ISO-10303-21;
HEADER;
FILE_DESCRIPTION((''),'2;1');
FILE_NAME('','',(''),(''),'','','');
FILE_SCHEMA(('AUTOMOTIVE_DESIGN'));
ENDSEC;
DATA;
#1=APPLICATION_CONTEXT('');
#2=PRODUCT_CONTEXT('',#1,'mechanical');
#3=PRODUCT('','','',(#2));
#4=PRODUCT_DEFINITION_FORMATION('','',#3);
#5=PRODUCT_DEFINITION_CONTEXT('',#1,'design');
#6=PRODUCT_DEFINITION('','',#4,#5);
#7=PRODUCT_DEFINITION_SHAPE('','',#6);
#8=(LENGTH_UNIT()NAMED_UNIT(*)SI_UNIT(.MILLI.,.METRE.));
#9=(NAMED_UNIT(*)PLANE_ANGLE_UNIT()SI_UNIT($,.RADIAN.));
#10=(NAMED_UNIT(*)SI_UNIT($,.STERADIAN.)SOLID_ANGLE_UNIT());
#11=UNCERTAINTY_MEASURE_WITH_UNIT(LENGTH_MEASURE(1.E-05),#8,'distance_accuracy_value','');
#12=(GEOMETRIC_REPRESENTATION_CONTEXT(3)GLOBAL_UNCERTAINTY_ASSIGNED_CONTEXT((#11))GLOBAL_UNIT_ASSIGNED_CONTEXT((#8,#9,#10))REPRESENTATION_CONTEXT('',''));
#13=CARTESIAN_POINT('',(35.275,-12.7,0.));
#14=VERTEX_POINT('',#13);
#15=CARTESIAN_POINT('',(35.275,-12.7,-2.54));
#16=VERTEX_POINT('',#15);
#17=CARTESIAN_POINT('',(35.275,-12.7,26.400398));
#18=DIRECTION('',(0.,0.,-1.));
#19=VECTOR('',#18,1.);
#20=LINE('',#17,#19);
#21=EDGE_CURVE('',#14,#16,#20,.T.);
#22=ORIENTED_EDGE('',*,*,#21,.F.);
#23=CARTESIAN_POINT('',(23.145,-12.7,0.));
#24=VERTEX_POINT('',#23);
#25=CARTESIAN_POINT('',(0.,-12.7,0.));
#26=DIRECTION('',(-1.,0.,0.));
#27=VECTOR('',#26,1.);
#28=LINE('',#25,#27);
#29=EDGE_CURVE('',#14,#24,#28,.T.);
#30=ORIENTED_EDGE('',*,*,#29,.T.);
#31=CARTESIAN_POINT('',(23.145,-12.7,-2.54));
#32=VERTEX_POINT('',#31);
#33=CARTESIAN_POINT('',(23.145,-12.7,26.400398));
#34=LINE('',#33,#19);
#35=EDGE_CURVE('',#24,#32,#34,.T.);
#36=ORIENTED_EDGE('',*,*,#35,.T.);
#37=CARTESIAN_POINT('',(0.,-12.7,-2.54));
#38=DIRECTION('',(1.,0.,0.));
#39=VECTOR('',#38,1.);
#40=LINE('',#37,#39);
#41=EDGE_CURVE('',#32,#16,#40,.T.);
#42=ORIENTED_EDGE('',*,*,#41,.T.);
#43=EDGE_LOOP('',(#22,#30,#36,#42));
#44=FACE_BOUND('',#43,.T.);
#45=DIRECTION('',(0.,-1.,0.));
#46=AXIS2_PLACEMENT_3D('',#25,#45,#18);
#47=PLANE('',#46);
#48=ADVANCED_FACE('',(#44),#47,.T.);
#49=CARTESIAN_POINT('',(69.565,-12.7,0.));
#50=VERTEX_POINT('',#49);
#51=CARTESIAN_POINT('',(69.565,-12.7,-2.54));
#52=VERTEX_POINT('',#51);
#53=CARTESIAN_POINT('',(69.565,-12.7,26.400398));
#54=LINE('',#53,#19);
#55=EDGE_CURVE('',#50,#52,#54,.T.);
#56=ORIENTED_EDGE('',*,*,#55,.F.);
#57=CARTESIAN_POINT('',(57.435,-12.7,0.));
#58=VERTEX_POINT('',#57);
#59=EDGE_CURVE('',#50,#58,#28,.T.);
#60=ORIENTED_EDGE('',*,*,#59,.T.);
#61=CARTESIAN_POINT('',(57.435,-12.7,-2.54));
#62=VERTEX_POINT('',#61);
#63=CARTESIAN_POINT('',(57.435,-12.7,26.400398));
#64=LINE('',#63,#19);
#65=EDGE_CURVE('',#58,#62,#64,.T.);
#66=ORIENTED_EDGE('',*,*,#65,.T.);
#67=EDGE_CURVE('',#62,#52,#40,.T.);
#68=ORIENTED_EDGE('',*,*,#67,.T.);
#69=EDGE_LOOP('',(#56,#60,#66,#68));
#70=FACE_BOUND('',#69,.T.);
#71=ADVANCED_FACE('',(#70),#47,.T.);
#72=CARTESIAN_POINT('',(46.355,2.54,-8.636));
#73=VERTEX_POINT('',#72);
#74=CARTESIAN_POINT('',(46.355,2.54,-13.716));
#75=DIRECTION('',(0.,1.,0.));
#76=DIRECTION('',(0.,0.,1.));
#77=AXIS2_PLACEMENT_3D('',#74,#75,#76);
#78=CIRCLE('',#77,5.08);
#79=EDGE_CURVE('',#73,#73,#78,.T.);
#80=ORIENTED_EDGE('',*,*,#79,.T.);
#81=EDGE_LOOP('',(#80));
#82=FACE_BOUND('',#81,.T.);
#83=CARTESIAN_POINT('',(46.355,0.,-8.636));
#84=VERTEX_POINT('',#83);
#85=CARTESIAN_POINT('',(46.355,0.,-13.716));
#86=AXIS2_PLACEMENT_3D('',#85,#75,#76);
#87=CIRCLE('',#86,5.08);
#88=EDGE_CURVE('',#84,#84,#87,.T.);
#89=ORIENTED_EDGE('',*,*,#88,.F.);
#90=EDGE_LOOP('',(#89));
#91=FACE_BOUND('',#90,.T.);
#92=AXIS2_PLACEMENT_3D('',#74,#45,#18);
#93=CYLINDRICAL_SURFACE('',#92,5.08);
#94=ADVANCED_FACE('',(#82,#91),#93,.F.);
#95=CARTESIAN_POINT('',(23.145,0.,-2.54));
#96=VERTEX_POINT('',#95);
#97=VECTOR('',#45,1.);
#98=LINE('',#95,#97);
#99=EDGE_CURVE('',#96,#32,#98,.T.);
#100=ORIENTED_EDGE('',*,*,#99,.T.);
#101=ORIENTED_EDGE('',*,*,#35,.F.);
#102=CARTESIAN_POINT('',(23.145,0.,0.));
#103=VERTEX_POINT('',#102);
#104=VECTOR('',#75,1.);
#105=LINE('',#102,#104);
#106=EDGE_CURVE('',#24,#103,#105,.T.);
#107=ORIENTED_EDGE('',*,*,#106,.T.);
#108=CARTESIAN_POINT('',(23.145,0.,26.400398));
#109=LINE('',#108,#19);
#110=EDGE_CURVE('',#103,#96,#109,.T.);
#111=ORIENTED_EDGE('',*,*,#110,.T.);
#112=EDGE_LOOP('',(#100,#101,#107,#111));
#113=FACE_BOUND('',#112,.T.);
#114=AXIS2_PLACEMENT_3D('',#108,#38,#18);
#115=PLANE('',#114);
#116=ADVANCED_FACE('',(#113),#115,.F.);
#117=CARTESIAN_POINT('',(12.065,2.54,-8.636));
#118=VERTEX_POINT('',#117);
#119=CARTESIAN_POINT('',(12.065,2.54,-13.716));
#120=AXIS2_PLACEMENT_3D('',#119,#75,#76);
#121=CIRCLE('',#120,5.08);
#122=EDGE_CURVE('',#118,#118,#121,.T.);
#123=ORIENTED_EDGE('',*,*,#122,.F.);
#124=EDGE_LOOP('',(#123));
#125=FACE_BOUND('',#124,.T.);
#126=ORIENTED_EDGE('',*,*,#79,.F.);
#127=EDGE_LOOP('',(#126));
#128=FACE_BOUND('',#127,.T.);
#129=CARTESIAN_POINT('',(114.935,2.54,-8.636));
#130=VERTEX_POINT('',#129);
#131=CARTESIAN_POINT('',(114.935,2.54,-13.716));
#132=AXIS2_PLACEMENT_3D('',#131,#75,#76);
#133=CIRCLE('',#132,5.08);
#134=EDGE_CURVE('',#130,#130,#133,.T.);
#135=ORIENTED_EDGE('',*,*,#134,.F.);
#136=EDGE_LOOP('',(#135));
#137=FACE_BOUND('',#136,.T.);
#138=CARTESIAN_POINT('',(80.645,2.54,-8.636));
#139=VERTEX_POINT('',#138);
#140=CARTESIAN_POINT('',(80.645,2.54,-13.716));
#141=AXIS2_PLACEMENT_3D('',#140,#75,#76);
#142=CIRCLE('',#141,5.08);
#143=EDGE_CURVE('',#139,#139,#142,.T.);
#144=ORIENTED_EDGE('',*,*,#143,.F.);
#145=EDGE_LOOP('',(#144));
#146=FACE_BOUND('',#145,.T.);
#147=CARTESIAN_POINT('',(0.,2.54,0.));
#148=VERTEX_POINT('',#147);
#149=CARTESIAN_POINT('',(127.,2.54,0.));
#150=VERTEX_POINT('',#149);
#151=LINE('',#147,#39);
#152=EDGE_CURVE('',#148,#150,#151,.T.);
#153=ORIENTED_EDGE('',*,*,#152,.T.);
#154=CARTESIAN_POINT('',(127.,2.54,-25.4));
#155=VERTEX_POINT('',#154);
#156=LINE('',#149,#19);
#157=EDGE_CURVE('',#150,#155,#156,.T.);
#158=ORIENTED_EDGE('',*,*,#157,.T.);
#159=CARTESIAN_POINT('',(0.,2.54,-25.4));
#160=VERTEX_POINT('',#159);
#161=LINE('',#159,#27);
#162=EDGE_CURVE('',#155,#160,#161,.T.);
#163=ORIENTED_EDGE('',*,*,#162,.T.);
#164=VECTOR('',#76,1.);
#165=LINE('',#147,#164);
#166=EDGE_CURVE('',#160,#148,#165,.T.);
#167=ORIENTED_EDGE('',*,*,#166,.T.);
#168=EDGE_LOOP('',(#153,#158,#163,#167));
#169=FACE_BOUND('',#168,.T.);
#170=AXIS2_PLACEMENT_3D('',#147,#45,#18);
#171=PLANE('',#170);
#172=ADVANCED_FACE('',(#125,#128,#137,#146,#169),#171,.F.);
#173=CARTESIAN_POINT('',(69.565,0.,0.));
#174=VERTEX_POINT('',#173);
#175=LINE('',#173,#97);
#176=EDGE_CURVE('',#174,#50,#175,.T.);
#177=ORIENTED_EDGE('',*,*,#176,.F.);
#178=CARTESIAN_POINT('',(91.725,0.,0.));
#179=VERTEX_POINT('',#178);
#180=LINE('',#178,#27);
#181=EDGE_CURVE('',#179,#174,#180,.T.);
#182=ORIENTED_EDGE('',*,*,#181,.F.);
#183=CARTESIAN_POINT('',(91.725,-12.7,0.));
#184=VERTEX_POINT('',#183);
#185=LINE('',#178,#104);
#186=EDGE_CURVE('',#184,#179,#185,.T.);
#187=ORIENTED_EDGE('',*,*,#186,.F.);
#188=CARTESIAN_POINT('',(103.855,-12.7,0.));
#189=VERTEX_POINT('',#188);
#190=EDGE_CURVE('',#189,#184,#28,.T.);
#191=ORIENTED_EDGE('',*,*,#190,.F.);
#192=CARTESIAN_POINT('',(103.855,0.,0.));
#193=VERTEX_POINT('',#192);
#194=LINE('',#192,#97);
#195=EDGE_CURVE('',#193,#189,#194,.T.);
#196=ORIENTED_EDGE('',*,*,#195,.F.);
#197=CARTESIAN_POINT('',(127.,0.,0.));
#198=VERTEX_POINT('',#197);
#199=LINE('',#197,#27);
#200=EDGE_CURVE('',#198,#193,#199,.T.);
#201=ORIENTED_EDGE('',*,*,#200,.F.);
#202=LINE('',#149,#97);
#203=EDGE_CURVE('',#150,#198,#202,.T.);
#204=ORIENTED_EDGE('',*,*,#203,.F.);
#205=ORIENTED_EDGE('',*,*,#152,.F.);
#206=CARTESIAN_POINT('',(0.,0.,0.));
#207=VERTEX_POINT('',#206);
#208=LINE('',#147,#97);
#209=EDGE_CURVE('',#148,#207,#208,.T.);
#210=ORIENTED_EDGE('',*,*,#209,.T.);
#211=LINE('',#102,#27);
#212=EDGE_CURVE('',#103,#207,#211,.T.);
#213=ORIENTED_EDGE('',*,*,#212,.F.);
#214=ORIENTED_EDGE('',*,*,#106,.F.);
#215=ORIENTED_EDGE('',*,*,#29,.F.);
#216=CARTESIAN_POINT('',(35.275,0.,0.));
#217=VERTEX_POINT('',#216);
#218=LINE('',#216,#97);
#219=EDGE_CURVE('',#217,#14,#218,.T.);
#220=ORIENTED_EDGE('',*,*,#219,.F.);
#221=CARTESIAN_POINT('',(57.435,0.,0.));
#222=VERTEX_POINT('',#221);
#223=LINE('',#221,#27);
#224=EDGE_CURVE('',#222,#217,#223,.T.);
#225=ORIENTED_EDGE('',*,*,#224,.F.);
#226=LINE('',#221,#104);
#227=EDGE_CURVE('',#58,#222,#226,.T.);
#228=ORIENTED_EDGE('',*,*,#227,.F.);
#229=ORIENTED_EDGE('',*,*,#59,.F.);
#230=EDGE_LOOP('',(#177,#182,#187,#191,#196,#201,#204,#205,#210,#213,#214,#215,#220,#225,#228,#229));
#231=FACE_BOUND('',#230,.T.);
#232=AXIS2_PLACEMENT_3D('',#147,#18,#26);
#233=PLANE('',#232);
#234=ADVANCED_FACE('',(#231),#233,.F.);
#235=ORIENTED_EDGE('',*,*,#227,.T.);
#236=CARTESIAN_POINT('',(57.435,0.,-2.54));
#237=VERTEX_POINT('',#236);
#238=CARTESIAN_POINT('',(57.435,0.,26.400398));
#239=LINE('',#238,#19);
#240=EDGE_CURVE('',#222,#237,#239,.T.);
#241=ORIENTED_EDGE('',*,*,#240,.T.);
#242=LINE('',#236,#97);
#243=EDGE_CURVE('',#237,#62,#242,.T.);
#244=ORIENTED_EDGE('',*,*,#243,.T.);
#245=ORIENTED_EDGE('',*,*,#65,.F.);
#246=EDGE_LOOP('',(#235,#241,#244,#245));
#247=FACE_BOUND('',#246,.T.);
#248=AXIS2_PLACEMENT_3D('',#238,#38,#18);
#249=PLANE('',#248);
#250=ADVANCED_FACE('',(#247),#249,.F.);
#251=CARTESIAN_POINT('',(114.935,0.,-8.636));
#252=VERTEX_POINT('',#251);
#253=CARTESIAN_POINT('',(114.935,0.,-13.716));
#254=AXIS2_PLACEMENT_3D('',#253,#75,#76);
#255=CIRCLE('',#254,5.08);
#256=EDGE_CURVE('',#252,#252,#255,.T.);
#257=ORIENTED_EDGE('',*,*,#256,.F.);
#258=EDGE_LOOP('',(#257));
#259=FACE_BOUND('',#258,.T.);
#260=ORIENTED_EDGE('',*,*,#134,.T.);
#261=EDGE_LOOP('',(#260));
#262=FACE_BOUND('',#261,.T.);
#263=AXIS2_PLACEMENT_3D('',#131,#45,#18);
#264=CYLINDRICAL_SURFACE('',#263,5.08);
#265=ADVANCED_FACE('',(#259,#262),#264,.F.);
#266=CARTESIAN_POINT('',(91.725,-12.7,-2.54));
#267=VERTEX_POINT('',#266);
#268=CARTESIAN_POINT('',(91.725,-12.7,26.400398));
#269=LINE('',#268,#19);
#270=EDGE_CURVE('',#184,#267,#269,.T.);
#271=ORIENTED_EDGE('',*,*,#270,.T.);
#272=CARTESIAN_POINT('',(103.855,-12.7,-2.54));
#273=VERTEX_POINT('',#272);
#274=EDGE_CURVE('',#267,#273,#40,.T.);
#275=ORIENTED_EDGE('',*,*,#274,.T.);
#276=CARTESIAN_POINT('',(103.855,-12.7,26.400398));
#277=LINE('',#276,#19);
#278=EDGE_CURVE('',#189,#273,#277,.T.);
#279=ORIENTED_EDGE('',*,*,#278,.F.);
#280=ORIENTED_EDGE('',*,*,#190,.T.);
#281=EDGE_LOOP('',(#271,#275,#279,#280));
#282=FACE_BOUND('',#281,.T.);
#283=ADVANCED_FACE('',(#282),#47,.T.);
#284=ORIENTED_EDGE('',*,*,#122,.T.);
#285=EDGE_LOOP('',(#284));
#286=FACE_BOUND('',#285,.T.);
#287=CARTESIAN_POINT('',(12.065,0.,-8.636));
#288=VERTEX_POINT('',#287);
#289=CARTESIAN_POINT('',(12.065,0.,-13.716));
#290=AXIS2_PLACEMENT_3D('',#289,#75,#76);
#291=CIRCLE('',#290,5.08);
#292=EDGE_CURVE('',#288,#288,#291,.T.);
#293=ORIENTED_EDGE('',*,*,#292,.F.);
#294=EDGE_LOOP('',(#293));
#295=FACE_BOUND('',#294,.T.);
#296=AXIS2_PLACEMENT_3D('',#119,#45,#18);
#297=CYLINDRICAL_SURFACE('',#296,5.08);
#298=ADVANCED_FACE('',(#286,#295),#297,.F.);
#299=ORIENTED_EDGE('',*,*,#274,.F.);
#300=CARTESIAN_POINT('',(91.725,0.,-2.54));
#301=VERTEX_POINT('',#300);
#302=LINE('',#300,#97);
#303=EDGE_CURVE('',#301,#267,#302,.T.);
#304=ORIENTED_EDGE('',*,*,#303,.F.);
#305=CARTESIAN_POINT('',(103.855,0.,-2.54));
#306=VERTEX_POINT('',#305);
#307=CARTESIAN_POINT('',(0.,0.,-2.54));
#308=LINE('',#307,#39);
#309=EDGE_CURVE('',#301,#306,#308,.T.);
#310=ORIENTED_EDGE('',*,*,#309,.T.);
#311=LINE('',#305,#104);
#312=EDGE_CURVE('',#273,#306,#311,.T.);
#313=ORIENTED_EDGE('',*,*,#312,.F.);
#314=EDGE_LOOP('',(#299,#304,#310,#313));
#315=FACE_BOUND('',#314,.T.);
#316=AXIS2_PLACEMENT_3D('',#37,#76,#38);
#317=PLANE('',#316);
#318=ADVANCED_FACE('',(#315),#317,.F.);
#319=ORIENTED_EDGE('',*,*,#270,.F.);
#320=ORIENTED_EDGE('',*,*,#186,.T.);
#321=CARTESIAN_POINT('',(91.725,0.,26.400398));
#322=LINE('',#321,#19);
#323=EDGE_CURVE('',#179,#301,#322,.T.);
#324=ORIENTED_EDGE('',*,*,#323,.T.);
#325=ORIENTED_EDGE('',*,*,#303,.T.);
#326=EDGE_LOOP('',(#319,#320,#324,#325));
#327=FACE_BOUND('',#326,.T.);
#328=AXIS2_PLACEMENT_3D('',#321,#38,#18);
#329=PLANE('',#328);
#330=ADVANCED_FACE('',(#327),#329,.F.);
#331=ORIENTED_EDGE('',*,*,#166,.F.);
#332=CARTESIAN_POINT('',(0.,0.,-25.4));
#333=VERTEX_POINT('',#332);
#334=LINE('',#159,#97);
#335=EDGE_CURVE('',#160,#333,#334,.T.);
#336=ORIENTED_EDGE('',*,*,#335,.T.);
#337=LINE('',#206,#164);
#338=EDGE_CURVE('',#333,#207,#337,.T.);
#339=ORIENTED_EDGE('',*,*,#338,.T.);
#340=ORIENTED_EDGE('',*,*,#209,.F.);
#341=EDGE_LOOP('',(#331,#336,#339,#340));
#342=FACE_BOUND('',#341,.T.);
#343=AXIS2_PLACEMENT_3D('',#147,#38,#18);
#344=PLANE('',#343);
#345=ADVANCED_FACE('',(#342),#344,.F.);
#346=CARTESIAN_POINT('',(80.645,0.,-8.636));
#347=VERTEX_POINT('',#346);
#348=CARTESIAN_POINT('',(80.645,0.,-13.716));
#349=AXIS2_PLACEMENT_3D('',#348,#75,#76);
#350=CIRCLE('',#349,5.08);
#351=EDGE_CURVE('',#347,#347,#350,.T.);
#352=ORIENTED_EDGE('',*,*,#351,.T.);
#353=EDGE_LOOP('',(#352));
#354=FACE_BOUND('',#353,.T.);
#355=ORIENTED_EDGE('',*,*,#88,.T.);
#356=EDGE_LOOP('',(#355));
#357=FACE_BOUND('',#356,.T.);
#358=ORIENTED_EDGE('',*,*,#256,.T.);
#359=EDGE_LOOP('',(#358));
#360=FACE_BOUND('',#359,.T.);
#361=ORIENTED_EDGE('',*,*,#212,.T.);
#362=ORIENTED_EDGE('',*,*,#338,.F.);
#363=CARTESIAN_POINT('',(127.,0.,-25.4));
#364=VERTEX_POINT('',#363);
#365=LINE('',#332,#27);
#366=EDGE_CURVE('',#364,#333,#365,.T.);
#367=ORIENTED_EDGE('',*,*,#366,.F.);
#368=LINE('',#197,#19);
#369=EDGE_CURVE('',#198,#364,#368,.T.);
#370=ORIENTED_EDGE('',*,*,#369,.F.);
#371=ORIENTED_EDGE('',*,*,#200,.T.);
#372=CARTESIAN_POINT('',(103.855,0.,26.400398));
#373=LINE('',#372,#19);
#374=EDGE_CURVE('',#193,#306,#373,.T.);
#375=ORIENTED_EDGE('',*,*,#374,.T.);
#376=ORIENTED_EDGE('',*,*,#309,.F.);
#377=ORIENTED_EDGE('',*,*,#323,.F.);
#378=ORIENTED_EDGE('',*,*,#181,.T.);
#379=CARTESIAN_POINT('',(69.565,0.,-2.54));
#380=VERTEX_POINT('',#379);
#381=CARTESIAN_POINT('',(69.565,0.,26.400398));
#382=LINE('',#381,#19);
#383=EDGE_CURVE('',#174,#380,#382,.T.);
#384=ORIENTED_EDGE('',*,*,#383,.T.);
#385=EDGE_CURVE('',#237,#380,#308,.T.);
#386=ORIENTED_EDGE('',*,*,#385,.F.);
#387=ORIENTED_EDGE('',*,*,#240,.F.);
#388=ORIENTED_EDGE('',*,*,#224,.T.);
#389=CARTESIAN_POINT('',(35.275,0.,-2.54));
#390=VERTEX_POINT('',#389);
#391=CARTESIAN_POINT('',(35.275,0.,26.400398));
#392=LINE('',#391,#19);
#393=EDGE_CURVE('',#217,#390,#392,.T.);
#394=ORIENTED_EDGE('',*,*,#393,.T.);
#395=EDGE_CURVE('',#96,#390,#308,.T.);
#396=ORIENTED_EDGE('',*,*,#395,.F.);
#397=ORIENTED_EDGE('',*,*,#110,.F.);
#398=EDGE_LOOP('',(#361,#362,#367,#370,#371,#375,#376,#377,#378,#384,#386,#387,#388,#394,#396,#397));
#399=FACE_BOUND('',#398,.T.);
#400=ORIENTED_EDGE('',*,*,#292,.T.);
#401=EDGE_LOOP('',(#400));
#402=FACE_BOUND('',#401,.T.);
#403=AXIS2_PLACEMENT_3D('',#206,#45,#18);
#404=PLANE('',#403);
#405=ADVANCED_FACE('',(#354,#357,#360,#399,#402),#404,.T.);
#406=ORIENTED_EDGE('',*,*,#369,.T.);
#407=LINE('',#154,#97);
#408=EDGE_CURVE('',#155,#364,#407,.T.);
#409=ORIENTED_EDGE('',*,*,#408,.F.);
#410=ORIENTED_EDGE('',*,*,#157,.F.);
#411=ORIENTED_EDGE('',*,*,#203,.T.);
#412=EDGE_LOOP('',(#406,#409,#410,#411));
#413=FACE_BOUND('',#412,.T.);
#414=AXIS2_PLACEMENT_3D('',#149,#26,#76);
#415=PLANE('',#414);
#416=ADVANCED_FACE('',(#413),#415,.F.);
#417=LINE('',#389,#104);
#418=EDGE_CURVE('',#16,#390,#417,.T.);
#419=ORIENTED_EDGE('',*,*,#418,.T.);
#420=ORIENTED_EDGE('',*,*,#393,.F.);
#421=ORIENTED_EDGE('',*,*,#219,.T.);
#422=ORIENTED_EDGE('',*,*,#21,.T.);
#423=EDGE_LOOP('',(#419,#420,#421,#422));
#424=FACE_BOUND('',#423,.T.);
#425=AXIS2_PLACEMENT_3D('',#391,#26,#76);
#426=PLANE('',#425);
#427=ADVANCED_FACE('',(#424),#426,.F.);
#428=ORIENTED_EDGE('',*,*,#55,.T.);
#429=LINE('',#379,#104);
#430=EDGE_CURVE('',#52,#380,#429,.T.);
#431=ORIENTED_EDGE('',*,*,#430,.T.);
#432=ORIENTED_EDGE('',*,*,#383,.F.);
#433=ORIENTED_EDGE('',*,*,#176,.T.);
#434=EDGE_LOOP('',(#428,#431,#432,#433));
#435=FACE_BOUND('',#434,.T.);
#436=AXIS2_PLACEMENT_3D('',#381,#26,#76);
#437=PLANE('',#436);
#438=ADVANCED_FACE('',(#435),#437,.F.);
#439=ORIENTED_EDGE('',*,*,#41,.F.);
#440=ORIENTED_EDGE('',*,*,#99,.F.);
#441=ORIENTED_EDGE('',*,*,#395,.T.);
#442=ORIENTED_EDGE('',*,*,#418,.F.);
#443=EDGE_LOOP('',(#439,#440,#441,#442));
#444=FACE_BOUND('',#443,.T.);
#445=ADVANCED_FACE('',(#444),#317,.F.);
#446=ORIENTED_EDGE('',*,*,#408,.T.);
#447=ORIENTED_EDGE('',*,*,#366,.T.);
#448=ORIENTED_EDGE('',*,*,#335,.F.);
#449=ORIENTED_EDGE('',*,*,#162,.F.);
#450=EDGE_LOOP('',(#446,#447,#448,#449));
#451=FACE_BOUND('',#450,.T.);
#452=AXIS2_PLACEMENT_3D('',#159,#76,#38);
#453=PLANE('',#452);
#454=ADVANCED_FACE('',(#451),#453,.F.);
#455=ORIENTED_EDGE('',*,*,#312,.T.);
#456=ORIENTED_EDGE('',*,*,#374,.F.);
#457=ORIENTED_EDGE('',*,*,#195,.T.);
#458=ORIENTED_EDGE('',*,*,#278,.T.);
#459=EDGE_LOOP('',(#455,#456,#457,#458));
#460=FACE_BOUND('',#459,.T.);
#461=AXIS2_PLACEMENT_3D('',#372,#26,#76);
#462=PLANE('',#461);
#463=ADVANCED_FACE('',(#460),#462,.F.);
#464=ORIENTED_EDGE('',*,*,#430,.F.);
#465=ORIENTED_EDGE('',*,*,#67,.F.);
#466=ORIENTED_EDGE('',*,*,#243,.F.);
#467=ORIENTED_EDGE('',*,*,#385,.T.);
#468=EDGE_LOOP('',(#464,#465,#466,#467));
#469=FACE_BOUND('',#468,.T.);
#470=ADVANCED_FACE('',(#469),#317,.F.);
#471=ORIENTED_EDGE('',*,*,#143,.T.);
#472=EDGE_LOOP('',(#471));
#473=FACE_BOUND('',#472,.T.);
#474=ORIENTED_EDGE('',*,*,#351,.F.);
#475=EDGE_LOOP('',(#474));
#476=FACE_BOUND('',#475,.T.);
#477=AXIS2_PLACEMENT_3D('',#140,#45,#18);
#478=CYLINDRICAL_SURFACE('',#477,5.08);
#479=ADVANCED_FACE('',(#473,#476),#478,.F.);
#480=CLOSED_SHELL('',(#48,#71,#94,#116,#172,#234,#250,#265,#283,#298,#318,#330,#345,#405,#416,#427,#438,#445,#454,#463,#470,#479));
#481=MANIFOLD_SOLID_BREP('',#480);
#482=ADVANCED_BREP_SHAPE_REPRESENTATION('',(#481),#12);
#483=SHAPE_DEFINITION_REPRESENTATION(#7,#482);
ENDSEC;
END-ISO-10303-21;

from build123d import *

# Parameters (mm, degrees)
SKETCH1_W           = 127
SKETCH1_H           = 25.4
SKETCH1_R           = 5.08
BOSS_EXTRUDE1_DEPTH = 2.54
SKETCH2_W           = 127
SKETCH2_H           = 2.54
BOSS_EXTRUDE2_DEPTH = 12.7
SKETCH4_W           = 23.145
SKETCH4_H           = 12.7
SKETCH4_W_2         = 22.16
CUT_EXTRUDE1_DEPTH  = 2.54


with BuildPart() as part:
    # Sketch1 → Boss-Extrude1 (new body)
    with BuildSketch(Plane(origin=(0, 0, 0), x_dir=(1, 0, 0), z_dir=(0, 1, 0))):
        with Locations((63.5, 12.7)):
            Rectangle(SKETCH1_W, SKETCH1_H)
        with Locations(Location((12.065, 13.716, 0), (0, 0, 270))):
            Circle(SKETCH1_R, mode=Mode.SUBTRACT)
        with Locations(Location((46.355, 13.716, 0), (0, 0, 270))):
            Circle(SKETCH1_R, mode=Mode.SUBTRACT)
        with Locations(Location((80.645, 13.716, 0), (0, 0, 270))):
            Circle(SKETCH1_R, mode=Mode.SUBTRACT)
        with Locations(Location((114.935, 13.716, 0), (0, 0, 270))):
            Circle(SKETCH1_R, mode=Mode.SUBTRACT)
    extrude(amount=BOSS_EXTRUDE1_DEPTH)

    # Sketch2 → Boss-Extrude2 (add)
    with BuildSketch(Plane.XZ):
        with Locations((63.5, -1.27)):
            Rectangle(SKETCH2_W, SKETCH2_H)
    extrude(amount=BOSS_EXTRUDE2_DEPTH)

    # Sketch4 → Cut-Extrude1 (cut)
    with BuildSketch(Plane(origin=(0, 0, -2.54), x_dir=(-1, 0, 0), z_dir=(0, 0, -1))):
        with Locations((-115.4275, -6.35)):
            Rectangle(SKETCH4_W, SKETCH4_H)
        with Locations((-80.645, -6.35)):
            Rectangle(SKETCH4_W_2, SKETCH4_H)
        with Locations((-46.355, -6.35)):
            Rectangle(SKETCH4_W_2, SKETCH4_H)
        with Locations((-11.5725, -6.35)):
            Rectangle(SKETCH4_W, SKETCH4_H)
    extrude(amount=-CUT_EXTRUDE1_DEPTH, mode=Mode.SUBTRACT)


solid = part.part
